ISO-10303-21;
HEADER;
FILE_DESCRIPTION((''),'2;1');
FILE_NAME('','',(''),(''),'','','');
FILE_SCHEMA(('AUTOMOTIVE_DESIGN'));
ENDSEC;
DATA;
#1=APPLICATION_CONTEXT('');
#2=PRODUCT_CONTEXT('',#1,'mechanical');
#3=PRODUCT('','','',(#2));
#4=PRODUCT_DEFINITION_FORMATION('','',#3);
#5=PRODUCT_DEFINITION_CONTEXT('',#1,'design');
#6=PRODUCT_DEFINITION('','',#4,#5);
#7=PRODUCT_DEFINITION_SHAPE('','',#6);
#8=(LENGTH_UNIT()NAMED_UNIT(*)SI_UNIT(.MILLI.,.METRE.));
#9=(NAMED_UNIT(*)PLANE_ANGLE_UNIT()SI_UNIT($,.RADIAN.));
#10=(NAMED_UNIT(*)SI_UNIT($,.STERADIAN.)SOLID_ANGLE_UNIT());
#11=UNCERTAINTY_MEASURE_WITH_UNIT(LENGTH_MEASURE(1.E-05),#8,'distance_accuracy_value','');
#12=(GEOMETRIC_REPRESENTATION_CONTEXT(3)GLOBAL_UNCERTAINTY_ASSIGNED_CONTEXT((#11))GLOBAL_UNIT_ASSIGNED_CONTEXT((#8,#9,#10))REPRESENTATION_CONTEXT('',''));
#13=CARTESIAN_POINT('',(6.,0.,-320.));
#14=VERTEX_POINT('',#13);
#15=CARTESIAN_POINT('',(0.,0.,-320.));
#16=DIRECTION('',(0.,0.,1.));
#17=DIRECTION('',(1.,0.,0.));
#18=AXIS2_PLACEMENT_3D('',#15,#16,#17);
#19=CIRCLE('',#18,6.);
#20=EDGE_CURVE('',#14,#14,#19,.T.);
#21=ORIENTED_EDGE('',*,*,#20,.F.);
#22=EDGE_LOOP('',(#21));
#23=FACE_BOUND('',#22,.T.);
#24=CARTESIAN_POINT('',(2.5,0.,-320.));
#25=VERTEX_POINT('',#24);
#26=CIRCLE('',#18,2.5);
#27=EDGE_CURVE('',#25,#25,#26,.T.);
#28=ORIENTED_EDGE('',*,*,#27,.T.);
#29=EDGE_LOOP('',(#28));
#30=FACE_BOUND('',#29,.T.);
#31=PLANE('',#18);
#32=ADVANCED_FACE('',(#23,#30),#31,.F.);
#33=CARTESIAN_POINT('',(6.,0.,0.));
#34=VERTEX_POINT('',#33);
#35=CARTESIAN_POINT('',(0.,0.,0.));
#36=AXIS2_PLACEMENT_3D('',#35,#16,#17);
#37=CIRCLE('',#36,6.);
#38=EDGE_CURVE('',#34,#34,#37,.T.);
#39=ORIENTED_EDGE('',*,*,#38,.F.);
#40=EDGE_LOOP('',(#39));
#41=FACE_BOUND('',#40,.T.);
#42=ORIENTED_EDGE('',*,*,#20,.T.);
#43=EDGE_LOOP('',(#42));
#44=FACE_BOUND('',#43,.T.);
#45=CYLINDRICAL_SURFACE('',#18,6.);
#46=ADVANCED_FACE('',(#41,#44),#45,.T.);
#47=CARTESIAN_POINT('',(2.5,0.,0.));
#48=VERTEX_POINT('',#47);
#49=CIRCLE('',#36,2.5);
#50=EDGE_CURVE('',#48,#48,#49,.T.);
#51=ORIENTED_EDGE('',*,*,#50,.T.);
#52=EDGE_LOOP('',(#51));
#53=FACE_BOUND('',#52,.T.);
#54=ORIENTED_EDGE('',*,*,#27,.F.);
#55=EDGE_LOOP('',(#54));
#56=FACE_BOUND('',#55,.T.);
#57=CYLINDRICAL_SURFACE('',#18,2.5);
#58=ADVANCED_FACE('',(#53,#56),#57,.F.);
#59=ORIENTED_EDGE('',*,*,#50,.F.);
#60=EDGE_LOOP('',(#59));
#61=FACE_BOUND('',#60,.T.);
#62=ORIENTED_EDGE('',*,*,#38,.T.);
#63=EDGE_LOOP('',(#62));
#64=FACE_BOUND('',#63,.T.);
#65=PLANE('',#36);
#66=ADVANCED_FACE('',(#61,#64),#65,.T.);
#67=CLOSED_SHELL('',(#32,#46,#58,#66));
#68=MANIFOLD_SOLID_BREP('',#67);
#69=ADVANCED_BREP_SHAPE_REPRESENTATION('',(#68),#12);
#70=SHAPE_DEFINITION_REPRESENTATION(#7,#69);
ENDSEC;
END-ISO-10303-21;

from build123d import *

# Parameters (mm, degrees)
SKETCH_1_R          = 6
SKETCH_1_R_2        = 0.0005
EXTRUDE_1_DEPTH     = 320
SKETCH_2_R          = 2.5
CUT_EXTRUDE_1_DEPTH = 321.112480232


with BuildPart() as part:
    # 草图1 → 凸台-拉伸1 (new body)
    with BuildSketch(Plane.XY):
        Circle(SKETCH_1_R)
        Circle(SKETCH_1_R_2, mode=Mode.SUBTRACT)
    extrude(amount=-EXTRUDE_1_DEPTH)

    # 草图2 → 切除-拉伸1 (cut, through all)
    with BuildSketch(Plane.XY):
        Circle(SKETCH_2_R)
    extrude(amount=-CUT_EXTRUDE_1_DEPTH, mode=Mode.SUBTRACT)


solid = part.part
